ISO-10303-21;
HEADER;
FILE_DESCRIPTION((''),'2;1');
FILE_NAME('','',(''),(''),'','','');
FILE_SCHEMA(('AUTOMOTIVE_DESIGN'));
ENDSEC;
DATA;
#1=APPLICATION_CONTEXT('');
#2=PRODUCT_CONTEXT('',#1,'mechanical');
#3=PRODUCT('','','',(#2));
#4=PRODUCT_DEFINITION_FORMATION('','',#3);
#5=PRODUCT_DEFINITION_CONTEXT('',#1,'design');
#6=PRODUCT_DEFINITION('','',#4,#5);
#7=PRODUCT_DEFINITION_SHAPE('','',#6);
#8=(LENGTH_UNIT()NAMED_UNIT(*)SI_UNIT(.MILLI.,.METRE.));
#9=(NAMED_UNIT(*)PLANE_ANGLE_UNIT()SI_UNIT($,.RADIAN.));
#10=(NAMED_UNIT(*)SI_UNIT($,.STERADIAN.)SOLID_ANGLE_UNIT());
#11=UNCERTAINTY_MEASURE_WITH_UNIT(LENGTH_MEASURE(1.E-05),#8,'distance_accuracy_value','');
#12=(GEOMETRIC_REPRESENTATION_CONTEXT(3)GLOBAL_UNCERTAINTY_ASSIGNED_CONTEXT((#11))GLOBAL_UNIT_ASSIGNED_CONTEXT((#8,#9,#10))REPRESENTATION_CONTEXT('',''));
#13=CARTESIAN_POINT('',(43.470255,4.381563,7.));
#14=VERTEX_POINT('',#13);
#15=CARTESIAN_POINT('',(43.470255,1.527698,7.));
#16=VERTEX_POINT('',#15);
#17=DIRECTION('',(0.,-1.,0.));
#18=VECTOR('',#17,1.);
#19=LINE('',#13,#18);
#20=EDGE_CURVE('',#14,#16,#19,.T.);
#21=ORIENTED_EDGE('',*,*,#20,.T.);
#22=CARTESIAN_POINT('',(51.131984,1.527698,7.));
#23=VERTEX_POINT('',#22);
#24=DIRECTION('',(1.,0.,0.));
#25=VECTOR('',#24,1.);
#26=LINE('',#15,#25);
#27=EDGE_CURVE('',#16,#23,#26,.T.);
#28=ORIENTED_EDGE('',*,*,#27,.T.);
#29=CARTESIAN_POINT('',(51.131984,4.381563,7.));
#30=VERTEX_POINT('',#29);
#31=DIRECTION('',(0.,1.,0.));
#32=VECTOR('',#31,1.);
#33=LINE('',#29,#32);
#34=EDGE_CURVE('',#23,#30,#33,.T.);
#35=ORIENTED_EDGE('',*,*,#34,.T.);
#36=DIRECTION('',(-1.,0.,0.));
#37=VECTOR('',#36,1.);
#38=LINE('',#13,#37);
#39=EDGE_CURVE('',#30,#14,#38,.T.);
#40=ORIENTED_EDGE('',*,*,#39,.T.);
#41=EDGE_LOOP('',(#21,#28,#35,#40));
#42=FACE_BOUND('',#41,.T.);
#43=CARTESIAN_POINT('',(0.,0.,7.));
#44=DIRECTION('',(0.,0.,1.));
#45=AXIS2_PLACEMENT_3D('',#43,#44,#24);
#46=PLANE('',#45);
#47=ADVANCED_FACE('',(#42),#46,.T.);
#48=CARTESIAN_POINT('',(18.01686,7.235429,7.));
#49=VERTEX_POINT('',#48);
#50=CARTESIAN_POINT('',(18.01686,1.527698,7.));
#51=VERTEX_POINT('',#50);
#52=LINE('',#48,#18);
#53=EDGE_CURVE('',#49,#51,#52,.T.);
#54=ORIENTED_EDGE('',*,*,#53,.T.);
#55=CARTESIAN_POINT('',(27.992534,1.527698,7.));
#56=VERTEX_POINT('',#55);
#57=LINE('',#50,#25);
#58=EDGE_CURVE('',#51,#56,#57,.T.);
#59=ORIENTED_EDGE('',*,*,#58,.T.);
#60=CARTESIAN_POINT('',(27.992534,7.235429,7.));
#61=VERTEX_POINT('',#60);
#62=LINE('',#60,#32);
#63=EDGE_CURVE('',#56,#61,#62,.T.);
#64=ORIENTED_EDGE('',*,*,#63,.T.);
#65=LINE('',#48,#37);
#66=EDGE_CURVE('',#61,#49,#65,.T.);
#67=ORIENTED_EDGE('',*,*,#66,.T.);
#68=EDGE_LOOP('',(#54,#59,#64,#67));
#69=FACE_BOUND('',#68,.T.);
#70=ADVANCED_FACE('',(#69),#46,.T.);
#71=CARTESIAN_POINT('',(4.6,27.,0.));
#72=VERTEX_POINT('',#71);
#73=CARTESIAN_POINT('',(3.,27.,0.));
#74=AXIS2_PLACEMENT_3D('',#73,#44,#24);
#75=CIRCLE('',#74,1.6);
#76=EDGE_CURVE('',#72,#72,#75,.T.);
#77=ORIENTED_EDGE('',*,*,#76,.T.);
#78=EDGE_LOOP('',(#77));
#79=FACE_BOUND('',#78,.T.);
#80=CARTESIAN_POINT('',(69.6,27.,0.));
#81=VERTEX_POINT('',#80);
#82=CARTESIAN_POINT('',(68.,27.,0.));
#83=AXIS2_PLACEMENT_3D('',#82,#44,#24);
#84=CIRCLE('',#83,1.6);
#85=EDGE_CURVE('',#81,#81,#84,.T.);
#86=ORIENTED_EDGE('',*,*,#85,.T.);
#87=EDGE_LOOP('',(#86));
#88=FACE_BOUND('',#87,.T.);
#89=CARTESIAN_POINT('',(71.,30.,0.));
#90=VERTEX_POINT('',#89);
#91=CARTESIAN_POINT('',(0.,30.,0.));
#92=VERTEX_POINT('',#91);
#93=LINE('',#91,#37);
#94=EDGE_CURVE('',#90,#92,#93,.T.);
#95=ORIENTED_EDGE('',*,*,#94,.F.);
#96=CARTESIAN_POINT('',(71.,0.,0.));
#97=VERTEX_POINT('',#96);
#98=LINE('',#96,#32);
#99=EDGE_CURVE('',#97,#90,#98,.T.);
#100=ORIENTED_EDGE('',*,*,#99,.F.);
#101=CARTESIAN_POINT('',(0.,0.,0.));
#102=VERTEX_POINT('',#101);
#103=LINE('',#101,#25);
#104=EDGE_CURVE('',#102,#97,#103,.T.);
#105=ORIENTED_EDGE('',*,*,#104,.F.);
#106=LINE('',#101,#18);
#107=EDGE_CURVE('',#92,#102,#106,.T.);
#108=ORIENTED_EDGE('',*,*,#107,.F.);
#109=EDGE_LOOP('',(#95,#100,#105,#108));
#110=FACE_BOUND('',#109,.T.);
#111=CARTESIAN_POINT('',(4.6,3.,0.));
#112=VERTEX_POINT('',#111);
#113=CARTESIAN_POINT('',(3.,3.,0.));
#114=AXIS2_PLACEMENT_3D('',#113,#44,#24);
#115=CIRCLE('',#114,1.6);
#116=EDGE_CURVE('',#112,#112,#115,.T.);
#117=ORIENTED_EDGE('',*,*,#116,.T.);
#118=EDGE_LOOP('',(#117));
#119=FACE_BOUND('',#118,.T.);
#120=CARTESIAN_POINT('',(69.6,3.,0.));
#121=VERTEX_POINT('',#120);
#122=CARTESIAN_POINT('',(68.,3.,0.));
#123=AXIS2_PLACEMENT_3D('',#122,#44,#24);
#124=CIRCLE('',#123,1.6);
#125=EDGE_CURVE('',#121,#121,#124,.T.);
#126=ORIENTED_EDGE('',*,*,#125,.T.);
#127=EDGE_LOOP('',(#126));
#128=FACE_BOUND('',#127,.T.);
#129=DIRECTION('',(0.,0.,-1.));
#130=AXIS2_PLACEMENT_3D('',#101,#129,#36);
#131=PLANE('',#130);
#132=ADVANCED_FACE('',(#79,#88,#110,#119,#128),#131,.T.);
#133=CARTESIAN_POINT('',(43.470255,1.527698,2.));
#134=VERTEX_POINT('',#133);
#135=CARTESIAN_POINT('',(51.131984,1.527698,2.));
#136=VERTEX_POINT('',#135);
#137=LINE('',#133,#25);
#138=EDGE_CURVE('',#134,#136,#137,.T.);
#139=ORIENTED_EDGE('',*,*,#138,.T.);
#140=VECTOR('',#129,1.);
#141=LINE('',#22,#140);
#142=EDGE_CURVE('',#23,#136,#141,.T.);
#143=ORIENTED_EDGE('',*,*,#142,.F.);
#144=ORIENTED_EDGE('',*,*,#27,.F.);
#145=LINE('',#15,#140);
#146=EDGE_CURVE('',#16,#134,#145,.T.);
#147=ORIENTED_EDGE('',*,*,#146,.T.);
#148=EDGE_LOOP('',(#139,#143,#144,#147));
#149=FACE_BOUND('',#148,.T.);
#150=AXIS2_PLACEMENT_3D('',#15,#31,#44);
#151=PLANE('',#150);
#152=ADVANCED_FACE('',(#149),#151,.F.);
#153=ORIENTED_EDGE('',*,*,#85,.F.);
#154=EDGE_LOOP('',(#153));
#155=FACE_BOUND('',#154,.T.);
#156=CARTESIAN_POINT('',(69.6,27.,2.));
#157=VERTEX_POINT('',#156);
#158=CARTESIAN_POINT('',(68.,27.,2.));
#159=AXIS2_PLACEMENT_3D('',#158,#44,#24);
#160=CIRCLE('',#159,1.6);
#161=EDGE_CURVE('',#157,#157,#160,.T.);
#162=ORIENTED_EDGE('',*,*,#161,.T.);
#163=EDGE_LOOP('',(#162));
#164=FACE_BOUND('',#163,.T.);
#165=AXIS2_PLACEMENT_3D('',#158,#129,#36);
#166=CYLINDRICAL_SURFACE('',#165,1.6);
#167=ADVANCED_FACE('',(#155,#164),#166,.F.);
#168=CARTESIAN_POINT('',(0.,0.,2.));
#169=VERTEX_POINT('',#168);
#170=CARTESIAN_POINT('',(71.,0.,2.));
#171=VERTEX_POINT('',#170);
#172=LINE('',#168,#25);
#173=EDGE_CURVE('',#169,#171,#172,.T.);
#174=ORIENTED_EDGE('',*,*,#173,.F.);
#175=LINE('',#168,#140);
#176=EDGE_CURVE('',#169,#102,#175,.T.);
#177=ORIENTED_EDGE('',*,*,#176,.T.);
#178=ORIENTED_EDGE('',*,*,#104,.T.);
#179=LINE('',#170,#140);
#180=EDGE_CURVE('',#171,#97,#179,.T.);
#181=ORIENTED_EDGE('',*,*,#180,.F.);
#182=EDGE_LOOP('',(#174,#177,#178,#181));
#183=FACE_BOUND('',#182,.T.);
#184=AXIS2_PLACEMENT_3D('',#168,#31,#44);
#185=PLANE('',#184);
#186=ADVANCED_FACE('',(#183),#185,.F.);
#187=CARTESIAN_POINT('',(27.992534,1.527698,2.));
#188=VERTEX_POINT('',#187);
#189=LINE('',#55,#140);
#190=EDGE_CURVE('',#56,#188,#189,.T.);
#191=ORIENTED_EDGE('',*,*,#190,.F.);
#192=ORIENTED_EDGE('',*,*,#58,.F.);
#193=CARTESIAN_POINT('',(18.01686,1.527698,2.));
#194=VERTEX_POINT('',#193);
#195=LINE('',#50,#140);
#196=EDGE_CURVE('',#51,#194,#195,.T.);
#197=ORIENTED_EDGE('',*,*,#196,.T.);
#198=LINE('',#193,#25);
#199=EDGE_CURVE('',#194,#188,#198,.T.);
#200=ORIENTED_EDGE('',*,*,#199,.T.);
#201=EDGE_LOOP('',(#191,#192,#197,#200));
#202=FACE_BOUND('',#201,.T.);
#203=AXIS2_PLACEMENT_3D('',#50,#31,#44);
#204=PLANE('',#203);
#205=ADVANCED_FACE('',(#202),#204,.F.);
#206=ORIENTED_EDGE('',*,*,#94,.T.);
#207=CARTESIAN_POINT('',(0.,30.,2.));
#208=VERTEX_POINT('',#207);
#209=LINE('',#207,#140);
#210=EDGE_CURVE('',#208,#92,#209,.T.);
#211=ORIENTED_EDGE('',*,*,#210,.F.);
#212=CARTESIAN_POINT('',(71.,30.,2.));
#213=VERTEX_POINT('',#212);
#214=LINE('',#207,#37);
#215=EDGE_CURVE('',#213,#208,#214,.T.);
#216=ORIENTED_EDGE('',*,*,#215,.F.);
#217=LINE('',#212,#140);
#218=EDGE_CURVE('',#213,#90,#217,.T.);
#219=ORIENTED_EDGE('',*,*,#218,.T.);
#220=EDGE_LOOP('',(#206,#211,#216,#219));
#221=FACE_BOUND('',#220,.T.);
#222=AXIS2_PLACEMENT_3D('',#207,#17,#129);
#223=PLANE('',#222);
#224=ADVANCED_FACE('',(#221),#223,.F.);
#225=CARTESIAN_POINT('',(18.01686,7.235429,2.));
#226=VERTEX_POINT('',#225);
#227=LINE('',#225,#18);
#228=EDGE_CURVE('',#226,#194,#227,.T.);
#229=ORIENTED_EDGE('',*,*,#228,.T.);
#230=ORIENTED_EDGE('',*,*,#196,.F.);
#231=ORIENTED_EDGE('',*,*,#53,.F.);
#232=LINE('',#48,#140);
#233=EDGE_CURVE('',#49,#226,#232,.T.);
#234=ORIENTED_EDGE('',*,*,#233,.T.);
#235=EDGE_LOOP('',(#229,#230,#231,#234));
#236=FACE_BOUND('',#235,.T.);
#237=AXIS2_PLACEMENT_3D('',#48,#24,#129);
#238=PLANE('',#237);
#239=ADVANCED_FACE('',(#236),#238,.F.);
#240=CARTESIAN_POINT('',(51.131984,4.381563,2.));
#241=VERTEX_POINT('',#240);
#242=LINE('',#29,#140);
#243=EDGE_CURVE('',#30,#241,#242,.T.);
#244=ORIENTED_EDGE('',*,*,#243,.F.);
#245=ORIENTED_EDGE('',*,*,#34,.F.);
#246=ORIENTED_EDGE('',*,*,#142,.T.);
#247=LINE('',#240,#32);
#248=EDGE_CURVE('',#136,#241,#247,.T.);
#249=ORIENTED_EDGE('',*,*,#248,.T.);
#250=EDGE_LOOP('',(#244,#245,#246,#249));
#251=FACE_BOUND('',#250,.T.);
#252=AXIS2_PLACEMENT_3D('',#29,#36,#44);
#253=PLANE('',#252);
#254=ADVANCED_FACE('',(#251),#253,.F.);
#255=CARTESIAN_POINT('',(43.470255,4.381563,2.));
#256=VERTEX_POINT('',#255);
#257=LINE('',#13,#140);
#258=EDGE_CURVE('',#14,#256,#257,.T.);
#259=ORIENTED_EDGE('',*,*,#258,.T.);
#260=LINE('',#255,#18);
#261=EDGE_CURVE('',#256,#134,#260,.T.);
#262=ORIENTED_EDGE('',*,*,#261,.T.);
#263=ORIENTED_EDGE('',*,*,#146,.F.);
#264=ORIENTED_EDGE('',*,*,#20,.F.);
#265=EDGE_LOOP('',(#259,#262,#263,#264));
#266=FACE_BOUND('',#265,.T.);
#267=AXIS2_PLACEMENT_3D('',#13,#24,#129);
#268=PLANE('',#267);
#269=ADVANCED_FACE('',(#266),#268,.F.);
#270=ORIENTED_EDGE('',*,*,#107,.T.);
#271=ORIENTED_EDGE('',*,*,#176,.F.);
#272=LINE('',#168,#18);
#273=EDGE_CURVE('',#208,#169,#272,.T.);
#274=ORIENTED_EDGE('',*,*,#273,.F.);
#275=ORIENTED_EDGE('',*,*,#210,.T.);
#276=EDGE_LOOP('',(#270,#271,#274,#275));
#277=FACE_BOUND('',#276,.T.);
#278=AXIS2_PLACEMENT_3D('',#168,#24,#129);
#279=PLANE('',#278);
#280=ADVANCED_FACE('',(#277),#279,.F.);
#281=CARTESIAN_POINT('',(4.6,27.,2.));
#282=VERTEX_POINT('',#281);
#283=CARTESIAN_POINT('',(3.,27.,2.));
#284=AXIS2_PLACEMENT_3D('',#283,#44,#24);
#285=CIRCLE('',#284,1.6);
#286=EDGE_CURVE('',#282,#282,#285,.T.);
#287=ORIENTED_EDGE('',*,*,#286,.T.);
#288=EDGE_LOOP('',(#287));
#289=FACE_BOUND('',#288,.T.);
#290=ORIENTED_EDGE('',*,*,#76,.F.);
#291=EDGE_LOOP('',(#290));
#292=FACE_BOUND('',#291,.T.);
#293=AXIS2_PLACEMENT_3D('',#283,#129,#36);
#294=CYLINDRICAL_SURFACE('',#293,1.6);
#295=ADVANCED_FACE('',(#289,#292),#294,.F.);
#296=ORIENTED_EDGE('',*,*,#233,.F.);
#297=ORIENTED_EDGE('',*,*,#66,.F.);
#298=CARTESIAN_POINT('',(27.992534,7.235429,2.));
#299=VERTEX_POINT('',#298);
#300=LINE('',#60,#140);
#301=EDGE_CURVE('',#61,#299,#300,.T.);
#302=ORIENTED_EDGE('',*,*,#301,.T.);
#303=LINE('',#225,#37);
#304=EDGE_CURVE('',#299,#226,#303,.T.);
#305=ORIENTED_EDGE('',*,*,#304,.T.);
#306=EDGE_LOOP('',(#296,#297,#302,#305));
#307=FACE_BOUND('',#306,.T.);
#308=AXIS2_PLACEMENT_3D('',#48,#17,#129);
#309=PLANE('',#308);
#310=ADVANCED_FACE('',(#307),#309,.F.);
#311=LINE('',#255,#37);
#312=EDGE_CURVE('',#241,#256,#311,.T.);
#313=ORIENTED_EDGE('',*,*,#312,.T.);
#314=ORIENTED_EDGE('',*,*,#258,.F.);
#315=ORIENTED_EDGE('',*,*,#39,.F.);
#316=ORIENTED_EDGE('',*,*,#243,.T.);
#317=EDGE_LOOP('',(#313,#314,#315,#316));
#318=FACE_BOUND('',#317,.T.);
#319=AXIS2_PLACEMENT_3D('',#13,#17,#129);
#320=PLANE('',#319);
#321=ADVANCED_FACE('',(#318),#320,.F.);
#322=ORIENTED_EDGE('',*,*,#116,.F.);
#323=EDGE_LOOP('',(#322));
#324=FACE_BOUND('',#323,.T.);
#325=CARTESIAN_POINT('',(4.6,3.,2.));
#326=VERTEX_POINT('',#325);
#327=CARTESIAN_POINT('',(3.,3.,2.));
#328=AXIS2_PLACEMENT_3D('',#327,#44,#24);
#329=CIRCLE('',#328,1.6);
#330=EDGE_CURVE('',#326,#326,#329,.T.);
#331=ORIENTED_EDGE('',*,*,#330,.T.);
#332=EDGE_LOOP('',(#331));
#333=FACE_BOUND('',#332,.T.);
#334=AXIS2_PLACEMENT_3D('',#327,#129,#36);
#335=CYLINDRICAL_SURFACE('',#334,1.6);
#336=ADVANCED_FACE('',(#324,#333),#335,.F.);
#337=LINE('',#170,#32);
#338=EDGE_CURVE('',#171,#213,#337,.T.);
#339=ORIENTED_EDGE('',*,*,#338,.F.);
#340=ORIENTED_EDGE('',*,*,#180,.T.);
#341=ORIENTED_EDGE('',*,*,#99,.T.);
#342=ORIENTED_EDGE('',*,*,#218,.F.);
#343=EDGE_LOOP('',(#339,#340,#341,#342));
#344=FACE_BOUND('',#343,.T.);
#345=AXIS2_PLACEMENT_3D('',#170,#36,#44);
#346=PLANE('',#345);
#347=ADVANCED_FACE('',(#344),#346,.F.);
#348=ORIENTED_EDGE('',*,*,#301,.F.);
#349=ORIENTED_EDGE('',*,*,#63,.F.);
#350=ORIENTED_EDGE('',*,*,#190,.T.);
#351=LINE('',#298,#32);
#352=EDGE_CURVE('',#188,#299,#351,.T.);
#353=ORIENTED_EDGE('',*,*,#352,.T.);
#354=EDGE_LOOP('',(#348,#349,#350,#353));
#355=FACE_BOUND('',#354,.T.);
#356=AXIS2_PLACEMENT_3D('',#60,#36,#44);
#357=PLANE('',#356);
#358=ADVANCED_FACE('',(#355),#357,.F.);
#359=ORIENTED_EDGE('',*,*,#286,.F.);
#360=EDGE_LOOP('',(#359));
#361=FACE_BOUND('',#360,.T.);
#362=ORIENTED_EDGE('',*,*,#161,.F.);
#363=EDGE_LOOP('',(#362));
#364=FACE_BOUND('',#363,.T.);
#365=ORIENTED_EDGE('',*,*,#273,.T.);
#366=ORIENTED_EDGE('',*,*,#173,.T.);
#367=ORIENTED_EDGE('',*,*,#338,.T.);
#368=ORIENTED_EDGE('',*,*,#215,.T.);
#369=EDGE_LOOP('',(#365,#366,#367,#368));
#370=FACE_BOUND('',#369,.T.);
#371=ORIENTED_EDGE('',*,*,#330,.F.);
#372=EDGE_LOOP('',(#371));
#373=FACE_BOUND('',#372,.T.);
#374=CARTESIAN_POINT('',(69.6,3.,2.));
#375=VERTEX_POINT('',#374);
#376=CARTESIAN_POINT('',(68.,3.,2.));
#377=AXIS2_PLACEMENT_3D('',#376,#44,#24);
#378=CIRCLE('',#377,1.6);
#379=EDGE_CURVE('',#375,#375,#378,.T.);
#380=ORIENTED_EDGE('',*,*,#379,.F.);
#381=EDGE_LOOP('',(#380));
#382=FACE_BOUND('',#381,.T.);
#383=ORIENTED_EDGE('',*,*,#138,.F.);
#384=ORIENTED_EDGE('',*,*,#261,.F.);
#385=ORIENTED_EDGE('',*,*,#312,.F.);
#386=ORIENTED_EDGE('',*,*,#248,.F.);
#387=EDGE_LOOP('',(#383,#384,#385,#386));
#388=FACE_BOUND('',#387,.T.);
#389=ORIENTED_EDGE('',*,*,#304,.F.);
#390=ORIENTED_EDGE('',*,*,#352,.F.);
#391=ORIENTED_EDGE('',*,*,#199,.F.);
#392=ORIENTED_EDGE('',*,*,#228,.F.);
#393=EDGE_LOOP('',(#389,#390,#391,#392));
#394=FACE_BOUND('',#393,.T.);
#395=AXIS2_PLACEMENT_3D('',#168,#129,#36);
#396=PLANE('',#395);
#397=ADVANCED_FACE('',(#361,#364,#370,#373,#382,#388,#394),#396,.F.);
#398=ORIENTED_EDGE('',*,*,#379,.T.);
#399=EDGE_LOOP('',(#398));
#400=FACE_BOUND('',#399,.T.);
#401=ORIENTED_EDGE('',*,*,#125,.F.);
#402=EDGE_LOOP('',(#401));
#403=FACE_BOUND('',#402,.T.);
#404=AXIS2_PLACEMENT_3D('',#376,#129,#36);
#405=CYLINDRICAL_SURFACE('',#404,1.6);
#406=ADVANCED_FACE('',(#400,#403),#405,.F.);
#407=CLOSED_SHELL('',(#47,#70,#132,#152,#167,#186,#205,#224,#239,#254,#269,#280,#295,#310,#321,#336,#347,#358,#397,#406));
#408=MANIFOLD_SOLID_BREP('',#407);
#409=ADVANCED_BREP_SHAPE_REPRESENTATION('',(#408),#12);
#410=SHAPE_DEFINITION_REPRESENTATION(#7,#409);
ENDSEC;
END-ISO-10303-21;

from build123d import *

# Parameters (mm, degrees)
SKETCH_1_W      = 71
SKETCH_1_H      = 30
SKETCH_1_R      = 1.6
EXTRUDE_1_DEPTH = 2
SKETCH_2_W      = 9.975674075
SKETCH_2_H      = 5.707731043
SKETCH_2_W_2    = 7.661729058
SKETCH_2_H_2    = 2.853865522
EXTRUDE_2_DEPTH = 5


with BuildPart() as part:
    # 草图1 → 凸台-拉伸1 (new body)
    with BuildSketch(Plane.XY):
        with Locations((35.5, 15)):
            Rectangle(SKETCH_1_W, SKETCH_1_H)
        with Locations((3, 27)):
            Circle(SKETCH_1_R, mode=Mode.SUBTRACT)
        with Locations((68, 3)):
            Circle(SKETCH_1_R, mode=Mode.SUBTRACT)
        with Locations((3, 3)):
            Circle(SKETCH_1_R, mode=Mode.SUBTRACT)
        with Locations((68, 27)):
            Circle(SKETCH_1_R, mode=Mode.SUBTRACT)
    extrude(amount=EXTRUDE_1_DEPTH)

    # 草图2 → 凸台-拉伸2 (add)
    with BuildSketch(Plane.XY.offset(2)):
        with Locations((23.004696906, 4.381563419)):
            Rectangle(SKETCH_2_W, SKETCH_2_H)
        with Locations((47.301119589, 2.954630659)):
            Rectangle(SKETCH_2_W_2, SKETCH_2_H_2)
    extrude(amount=EXTRUDE_2_DEPTH)


solid = part.part
